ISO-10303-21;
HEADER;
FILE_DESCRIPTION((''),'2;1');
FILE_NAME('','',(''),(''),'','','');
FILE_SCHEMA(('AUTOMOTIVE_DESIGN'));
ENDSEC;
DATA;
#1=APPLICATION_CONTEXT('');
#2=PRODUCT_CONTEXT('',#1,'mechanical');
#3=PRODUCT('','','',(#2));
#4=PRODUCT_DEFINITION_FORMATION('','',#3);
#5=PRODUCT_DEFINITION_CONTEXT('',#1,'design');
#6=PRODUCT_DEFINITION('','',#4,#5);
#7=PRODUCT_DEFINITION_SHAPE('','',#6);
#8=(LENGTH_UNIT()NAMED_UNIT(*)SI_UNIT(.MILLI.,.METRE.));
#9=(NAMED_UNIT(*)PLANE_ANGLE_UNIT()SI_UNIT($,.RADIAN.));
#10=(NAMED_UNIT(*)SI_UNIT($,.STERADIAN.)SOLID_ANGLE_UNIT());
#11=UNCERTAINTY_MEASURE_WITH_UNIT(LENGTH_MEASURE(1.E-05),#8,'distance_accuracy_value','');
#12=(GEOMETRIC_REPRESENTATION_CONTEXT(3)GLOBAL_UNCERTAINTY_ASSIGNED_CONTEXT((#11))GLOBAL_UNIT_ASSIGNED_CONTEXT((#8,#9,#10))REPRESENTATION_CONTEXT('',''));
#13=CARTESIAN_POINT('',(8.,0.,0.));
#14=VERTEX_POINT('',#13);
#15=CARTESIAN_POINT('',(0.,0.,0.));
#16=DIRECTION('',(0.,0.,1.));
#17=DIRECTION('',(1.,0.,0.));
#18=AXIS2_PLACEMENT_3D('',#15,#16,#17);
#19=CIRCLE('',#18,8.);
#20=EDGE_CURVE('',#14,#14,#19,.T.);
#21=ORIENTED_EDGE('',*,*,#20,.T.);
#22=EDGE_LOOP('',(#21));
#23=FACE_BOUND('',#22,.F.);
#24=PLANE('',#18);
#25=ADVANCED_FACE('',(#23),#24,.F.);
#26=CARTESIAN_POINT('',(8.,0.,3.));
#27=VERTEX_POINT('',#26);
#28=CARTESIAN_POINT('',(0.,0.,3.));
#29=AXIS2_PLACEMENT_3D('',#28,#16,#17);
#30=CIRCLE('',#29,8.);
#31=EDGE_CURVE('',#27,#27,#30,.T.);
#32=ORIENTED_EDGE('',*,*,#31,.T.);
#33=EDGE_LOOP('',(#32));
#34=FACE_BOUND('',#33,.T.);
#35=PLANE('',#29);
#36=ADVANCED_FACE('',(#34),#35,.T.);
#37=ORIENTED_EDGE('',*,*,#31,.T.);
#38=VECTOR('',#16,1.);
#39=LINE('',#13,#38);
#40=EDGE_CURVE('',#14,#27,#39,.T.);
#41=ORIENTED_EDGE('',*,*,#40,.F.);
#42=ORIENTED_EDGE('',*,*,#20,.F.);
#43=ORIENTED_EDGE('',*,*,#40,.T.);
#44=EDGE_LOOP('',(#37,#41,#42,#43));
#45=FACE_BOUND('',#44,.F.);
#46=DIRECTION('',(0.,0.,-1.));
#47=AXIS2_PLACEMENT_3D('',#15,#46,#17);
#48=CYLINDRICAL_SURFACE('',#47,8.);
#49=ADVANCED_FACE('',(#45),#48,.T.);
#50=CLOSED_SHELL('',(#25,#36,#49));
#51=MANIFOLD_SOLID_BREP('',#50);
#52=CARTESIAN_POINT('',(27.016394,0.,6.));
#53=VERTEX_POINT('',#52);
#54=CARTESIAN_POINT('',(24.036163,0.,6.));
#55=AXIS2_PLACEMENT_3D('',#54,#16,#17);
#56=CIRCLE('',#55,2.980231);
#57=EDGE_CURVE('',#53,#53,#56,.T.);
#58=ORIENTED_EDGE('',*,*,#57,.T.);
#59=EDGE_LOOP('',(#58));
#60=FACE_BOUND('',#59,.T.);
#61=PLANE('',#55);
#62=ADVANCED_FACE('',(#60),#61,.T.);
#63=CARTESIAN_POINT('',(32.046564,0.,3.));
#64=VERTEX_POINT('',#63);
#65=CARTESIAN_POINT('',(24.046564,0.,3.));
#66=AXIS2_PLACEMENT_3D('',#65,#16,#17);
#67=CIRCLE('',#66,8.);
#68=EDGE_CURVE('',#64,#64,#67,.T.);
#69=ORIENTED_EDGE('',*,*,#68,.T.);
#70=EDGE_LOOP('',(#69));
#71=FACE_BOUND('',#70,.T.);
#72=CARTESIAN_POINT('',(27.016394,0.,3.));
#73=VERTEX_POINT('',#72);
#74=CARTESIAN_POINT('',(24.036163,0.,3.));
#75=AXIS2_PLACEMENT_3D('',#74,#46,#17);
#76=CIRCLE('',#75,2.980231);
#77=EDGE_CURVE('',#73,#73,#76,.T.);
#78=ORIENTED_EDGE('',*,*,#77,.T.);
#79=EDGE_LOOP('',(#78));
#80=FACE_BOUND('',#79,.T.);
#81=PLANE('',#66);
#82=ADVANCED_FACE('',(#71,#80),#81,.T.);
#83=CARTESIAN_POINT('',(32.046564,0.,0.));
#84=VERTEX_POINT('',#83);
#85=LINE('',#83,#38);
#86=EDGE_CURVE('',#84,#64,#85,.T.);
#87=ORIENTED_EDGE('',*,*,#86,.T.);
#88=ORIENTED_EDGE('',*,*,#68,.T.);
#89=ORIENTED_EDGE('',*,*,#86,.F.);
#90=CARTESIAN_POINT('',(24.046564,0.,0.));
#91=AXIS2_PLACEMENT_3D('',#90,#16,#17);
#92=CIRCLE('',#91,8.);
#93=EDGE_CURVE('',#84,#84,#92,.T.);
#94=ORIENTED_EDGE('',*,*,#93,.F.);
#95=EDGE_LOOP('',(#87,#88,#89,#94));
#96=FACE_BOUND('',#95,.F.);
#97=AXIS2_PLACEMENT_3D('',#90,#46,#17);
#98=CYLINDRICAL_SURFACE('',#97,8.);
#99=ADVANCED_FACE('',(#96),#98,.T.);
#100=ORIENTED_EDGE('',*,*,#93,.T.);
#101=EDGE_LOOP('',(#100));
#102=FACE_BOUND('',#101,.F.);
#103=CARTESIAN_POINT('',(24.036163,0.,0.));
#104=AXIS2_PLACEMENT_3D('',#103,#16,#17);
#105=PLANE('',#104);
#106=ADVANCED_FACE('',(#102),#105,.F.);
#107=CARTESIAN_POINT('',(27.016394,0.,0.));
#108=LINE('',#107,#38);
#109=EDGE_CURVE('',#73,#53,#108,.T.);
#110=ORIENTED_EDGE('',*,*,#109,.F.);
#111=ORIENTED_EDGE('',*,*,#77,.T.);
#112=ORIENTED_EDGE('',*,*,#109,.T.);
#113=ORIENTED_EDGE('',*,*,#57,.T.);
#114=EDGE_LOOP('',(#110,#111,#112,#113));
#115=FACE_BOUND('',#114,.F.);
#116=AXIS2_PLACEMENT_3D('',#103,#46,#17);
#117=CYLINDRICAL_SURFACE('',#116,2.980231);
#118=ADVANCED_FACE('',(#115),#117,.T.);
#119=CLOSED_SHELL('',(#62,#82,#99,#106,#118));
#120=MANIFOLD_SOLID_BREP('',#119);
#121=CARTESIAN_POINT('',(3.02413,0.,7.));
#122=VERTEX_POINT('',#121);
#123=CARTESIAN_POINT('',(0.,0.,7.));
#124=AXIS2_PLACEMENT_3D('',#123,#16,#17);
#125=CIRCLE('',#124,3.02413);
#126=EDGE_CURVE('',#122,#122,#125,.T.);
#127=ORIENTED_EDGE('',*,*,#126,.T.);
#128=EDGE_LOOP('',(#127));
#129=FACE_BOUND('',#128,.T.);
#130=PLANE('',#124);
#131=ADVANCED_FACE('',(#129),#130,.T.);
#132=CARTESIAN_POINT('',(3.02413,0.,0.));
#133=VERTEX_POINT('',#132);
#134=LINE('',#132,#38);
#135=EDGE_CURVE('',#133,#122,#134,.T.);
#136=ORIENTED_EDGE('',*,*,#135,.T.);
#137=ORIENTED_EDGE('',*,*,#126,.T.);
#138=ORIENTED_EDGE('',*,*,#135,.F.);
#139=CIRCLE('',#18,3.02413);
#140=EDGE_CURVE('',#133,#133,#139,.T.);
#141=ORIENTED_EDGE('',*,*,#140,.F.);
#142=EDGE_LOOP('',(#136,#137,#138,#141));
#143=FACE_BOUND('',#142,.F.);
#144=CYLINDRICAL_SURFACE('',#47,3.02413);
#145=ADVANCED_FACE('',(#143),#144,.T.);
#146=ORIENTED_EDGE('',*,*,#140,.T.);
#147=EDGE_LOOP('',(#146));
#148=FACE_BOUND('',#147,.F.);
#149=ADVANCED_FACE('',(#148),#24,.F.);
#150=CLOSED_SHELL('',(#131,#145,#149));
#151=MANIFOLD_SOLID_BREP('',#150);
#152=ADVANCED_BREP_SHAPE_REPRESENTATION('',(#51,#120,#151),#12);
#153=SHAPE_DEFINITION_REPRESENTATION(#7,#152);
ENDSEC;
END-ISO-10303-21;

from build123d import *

# Parameters (mm, degrees)
F0_R     = 8
F3_DEPTH = 3
F1_R     = 2.980231
F4_DEPTH = 6
F2_R     = 3.02413
F5_DEPTH = 7


with BuildPart() as f3:
    # F0 (on Top) → F3 (new body)
    with BuildSketch(Plane.XY):
        Circle(F0_R)
        with Locations((24.046564, 0)):
            Circle(F0_R)
    extrude(amount=F3_DEPTH)

    # F1 (on Top) → F4 (join)
    with BuildSketch(Plane.XY):
        with Locations((24.036163, 0)):
            Circle(F1_R)
    extrude(amount=F4_DEPTH)


with BuildPart() as f5:
    # F2 (on face) → F5 (new body)
    with BuildSketch(Plane.XY):
        Circle(F2_R)
    extrude(amount=F5_DEPTH)


solid = Compound([f3.part, f5.part])
